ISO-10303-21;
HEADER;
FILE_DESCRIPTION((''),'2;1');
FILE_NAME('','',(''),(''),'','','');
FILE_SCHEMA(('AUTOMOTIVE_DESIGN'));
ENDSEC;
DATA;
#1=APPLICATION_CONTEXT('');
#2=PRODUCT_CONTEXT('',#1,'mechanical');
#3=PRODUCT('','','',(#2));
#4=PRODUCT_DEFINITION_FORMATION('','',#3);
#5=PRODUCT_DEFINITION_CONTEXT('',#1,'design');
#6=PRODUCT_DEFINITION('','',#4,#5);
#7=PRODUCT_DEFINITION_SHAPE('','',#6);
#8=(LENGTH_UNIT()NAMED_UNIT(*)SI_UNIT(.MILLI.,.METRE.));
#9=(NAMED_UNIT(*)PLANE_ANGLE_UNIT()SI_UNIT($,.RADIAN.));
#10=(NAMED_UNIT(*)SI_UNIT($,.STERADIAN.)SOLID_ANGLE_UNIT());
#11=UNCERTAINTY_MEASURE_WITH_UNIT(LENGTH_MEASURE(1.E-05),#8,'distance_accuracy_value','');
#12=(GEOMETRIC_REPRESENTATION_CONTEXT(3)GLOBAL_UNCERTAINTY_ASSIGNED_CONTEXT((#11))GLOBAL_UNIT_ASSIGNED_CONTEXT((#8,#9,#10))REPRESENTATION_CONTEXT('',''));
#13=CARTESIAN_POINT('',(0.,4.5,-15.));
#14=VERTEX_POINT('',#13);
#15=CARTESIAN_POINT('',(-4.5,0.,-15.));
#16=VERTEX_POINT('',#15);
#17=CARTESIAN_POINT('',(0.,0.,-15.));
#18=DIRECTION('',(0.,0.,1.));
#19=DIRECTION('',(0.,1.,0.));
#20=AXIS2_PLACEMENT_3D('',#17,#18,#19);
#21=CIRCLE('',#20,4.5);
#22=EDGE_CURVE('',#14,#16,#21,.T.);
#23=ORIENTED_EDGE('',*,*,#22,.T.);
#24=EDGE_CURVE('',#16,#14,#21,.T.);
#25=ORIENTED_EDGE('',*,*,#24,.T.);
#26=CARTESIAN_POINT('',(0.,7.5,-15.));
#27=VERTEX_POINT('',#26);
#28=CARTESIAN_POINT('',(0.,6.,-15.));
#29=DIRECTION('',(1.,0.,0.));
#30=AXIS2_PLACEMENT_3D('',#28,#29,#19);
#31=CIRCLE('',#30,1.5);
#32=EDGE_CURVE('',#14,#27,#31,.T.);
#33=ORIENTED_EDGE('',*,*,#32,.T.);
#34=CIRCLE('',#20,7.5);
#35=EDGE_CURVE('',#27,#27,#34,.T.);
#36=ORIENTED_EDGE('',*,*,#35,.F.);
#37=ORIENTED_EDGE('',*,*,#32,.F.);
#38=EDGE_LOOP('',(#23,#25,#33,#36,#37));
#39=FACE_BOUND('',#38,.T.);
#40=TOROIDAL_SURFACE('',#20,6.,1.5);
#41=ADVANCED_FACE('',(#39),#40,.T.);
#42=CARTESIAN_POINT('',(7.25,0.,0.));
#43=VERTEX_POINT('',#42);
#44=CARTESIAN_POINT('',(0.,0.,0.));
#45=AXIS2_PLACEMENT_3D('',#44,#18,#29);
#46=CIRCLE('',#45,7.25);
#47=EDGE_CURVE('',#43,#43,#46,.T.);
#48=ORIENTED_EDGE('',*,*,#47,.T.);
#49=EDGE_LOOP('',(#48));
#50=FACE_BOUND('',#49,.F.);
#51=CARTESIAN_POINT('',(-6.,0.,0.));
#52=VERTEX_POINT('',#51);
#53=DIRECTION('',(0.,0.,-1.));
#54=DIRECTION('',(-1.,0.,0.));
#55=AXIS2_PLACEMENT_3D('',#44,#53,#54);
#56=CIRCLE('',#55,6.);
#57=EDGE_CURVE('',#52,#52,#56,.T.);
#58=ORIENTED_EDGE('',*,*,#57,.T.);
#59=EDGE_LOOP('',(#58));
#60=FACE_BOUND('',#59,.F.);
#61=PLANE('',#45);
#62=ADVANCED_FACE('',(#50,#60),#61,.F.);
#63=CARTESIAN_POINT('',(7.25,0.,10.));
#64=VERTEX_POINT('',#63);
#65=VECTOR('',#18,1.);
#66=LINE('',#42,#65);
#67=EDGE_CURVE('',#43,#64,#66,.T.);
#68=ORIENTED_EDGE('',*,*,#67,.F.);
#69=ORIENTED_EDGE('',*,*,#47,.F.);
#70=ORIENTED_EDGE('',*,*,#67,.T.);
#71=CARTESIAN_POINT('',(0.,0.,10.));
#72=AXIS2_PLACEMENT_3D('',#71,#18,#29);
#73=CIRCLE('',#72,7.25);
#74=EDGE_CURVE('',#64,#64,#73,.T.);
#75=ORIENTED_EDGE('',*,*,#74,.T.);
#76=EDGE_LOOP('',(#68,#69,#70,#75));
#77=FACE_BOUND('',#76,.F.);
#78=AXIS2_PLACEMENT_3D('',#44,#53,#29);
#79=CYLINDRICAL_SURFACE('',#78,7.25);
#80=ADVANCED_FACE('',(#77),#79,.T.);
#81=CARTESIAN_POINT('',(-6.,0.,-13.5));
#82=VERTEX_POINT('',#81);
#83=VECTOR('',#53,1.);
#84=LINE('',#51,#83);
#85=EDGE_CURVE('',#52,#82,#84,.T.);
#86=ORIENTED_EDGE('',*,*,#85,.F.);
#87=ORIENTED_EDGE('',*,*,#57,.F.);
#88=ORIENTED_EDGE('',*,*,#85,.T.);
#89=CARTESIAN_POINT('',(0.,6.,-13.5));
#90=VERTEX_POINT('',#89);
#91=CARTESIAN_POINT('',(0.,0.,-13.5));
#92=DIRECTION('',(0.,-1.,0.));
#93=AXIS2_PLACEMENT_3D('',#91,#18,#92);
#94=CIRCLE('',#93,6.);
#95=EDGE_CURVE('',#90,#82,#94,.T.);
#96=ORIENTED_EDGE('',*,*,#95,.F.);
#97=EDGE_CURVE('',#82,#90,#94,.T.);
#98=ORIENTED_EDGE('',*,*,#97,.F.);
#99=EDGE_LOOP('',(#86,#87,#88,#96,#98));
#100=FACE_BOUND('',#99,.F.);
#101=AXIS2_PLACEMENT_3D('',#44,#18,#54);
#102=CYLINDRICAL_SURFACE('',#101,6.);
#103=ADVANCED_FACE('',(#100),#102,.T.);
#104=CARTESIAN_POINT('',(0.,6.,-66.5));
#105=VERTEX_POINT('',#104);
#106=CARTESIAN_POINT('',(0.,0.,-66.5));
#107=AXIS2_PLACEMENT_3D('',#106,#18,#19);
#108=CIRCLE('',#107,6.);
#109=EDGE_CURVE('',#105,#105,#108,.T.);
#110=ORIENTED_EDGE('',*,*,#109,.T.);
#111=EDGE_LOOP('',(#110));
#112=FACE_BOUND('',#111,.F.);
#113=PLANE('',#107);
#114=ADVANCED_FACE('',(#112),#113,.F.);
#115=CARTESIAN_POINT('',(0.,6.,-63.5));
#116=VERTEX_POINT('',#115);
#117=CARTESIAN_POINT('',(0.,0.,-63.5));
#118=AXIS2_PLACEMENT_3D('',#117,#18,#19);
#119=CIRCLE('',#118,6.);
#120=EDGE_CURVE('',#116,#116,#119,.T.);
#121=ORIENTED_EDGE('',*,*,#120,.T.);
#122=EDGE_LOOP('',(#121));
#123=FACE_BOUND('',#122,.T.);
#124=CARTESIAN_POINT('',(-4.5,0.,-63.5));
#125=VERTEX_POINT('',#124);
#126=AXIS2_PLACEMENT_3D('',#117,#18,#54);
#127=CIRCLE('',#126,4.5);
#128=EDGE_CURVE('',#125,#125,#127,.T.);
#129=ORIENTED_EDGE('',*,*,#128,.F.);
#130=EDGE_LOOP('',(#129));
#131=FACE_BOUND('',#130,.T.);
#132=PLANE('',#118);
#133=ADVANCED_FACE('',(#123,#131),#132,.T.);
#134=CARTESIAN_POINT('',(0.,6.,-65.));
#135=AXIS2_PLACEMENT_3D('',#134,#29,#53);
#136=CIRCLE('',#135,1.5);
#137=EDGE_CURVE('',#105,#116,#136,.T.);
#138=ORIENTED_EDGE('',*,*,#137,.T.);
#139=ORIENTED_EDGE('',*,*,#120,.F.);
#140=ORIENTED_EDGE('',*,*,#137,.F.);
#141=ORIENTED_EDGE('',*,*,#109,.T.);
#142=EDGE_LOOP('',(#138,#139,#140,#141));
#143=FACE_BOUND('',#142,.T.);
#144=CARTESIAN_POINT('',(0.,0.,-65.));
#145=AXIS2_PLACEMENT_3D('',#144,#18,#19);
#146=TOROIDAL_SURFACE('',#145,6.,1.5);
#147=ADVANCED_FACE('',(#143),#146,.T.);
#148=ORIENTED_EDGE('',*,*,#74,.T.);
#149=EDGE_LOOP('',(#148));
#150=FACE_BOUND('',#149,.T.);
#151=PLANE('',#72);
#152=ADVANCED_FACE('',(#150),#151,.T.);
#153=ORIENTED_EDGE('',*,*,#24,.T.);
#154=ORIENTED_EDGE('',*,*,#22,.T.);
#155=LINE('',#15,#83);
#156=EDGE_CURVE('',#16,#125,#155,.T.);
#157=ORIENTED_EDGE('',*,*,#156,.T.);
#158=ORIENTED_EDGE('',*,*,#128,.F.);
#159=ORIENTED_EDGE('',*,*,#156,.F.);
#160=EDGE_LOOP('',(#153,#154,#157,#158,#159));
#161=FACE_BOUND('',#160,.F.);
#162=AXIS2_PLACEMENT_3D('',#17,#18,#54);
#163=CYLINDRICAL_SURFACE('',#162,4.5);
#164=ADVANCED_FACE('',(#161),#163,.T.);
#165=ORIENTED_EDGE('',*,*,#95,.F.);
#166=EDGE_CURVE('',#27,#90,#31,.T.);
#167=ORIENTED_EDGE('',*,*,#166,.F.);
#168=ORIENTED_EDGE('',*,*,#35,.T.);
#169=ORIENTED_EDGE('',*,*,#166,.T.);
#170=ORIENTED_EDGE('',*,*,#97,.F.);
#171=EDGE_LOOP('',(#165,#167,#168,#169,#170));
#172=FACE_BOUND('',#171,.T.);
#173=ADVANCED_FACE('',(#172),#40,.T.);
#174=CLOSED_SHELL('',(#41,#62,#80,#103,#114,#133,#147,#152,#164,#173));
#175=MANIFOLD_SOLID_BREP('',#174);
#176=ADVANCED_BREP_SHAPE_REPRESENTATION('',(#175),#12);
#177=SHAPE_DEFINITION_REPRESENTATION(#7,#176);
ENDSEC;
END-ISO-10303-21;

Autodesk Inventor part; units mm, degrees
ref_plane "YZ Plane" through (0, 0, 0) normal (1, 0, 0) x (0, 1, 0)
ref_plane "XZ Plane" through (0, 0, 0) normal (0, 1, 0) x (-1, 0, 0)
ref_plane "XY Plane" through (0, 0, 0) normal (0, 0, 1) x (1, 0, 0)
sketch "草圖1" plane through (0, 0, 0) normal (0, 0, 1) x (1, 0, 0)
  circle A0 centre (0, 0) radius 7.25
  dimension "d0" = 14.5
extrude "擠出1" add sketch "草圖1" along normal blind 10
sketch "草圖2" plane through (0, 0, 0) normal (0, 0, -1) x (-1, 0, 0)
  circle A0 centre (0, 0) radius 7.25 construction
  circle A1 centre (0, 0) radius 6
  dimension "d3" = 12
extrude "擠出2" add sketch "草圖2" along normal blind 15
sketch "草圖3" plane through (0, 0, 0) normal (1, 0, 0) x (0, 1, 0)
  line L0 (-6, -15) -> (6, -15) construction
  circle A0 centre (6, -15) radius 1.5
  line L1 (0, -27.8) -> (0, 16.3) projected
  point P0 (0, 0)
  dimension "d6" = 3
revolve "迴轉1" add sketch "草圖3" angle 360 about axis through (0, 0, -10) along (0, 0, 1)
sketch "草圖4" plane through (0, 0, -15) normal (0, 0, -1) x (-1, 0, 0)
  circle A0 centre (0, 0) radius 4.5 projected
extrude "擠出3" add sketch "草圖4" along normal blind 50
sketch "草圖9" plane through (0, 0, 0) normal (1, 0, 0) x (0, 1, 0)
  arc A0 (6, -16.5) -> (6, -13.5) centre (6, -15) ccw construction
  line L0 (6, -15) -> (6, -68.4054) construction
  line L1 (-4.5, -65) -> (4.5, -65) construction
  line L2 (0, -65) -> (6, -65) construction
  arc A1 (6, -66.5) -> (6, -63.5) centre (6, -65) ccw
  line L3 (0, -84.0865) -> (0, 25.6811) projected
  line L4 (6, -66.5) -> (0, -66.5)
  line L5 (0, -65) -> (4.5, -65) construction
  line L6 (6, -63.5) -> (0, -63.5)
  line L7 (0, -66.5) -> (0, -63.5)
  point P0 (0, 0)
  dimension "d14" = 3
revolve "迴轉2" add sketch "草圖9" angle 360 about axis through (0, 0, -10) along (0, 0, 1)
properties part number "hand"
